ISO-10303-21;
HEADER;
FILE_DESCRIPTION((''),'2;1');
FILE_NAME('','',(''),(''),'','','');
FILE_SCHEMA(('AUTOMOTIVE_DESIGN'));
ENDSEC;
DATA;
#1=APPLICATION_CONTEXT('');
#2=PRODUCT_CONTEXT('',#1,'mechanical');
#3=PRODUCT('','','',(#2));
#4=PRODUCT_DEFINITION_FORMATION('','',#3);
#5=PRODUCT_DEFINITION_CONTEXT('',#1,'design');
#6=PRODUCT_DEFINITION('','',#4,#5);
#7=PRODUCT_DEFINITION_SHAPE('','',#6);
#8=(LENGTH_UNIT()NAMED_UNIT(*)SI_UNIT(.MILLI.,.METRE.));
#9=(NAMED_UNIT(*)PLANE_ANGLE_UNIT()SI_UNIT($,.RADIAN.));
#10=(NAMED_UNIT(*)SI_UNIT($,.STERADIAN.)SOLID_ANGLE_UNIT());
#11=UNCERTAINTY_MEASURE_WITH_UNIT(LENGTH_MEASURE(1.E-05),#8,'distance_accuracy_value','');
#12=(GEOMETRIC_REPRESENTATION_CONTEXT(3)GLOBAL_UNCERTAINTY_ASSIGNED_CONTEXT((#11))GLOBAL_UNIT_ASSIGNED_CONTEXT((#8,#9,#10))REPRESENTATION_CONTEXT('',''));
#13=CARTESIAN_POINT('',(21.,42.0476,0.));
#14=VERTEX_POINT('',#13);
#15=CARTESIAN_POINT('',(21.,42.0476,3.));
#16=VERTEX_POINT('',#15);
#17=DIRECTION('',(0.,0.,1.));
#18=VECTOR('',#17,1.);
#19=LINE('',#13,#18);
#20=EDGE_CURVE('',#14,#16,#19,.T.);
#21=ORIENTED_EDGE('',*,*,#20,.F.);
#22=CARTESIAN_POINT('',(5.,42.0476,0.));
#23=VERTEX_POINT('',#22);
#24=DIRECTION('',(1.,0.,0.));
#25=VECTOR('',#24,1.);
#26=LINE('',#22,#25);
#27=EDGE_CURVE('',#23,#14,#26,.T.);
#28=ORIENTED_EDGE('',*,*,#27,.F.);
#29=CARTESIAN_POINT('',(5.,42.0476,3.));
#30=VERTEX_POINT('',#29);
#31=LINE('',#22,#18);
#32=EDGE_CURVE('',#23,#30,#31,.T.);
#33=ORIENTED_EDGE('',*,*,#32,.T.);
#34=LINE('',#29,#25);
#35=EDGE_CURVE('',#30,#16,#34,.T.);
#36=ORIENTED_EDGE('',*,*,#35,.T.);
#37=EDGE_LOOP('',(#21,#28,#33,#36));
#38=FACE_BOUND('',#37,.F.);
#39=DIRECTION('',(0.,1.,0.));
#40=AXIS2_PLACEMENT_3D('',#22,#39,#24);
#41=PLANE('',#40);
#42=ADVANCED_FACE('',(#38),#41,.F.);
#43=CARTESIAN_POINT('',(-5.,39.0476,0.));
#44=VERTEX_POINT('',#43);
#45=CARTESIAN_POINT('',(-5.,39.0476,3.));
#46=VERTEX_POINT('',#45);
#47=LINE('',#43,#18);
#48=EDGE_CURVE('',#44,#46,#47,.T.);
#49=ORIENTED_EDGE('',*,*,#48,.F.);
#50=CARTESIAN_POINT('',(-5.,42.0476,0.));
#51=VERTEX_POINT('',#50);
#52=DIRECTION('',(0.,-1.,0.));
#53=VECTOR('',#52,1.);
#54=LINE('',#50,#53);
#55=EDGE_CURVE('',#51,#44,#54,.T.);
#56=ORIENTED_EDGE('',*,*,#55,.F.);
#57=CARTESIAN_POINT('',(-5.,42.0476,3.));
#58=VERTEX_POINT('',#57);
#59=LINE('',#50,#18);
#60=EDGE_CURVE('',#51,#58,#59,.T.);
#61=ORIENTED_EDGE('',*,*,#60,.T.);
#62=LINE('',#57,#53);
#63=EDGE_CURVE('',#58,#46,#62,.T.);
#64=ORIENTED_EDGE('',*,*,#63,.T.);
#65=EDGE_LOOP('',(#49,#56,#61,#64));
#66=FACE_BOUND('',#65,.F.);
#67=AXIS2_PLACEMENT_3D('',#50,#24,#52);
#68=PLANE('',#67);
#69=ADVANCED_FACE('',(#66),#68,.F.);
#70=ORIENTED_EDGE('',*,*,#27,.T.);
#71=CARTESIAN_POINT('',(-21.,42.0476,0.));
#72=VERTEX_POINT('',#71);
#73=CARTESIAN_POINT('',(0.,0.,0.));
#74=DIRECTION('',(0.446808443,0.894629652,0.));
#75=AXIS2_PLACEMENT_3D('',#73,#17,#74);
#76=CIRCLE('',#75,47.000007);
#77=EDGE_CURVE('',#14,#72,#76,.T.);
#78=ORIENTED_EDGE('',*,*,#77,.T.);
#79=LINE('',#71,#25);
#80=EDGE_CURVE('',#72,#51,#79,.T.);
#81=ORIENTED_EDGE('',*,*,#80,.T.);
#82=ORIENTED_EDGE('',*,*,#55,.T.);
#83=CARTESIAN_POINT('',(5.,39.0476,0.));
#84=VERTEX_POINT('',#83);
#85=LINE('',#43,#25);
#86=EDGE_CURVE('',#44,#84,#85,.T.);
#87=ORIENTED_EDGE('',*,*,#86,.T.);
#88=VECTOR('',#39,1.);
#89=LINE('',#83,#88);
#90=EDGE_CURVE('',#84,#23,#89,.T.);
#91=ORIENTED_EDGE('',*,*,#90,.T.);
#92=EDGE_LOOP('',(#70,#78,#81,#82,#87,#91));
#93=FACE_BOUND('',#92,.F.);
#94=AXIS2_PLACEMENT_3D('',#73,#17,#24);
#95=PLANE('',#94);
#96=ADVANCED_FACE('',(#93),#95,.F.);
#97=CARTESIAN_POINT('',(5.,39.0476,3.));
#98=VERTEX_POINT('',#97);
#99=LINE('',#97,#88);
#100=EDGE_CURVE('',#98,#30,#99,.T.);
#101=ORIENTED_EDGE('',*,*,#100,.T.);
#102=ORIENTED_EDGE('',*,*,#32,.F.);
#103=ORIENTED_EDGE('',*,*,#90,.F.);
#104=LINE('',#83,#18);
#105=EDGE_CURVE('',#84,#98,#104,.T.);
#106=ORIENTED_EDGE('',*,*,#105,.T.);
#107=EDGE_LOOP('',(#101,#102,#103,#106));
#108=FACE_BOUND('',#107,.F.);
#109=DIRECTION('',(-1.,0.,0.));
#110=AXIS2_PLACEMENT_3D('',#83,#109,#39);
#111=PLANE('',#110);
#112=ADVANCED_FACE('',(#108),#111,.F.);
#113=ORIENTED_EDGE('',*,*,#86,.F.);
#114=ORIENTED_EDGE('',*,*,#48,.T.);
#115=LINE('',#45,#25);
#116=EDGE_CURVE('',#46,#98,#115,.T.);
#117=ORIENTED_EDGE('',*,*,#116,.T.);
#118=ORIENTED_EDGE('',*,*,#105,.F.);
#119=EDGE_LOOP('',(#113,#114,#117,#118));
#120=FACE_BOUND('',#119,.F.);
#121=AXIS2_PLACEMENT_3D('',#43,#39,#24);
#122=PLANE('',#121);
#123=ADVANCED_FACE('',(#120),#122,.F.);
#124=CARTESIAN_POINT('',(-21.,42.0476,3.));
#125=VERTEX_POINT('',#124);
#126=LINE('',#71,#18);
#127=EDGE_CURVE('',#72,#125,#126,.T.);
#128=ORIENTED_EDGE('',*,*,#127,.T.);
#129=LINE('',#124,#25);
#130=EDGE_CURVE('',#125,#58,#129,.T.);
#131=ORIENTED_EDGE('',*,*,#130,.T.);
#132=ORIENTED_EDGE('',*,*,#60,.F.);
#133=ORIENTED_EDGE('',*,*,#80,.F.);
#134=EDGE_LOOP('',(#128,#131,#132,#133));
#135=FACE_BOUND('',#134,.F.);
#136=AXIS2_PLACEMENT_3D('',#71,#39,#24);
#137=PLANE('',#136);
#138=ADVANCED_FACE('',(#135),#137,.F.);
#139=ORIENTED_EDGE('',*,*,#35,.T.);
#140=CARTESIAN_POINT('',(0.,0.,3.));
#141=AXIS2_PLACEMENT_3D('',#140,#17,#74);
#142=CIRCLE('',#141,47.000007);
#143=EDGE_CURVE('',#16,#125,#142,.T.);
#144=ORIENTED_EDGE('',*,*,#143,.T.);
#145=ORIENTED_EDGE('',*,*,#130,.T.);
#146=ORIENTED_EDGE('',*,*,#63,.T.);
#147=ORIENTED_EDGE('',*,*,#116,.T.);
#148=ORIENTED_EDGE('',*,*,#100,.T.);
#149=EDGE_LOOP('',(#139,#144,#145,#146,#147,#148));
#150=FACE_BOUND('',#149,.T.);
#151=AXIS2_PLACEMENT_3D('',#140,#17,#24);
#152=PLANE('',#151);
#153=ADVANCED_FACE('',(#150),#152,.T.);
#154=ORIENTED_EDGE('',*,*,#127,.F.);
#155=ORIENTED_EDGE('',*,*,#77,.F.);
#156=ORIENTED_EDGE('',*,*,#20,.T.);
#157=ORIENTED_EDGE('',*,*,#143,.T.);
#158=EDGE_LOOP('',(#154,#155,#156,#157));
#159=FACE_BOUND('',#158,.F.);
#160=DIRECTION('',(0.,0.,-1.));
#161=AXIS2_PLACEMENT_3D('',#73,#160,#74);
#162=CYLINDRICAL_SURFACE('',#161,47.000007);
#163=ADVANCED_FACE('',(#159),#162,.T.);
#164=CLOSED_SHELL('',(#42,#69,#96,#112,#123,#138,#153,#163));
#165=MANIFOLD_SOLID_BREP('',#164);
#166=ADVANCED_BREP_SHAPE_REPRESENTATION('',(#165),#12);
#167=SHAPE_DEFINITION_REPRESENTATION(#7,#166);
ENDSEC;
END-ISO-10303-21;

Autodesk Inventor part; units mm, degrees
ref_plane "YZ Plane" through (0, 0, 0) normal (1, 0, 0) x (0, 1, 0)
ref_plane "XZ Plane" through (0, 0, 0) normal (0, 1, 0) x (-1, 0, 0)
ref_plane "XY Plane" through (0, 0, 0) normal (0, 0, 1) x (1, 0, 0)
sketch "Sketch1" plane through (0, 0, 0) normal (0, 0, 1) x (1, 0, 0)
  arc A0 (21, 42.0476) -> (-21, 42.0476) centre (0, 0) ccw
  line L0 (-5, 42.0476) -> (-5, 39.0476)
  line L1 (-5, 39.0476) -> (5, 39.0476)
  line L2 (5, 39.0476) -> (5, 42.0476)
  line L3 (-21, 42.0476) -> (-5, 42.0476)
  line L4 (5, 42.0476) -> (21, 42.0476)
  dimension "d0" = 94
  dimension "d2" = 3
  dimension "d3" = 10
  dimension "d4" = 5
  dimension "d8" = 16
  dimension "d9" = 16
extrude "Extrusion1" add sketch "Sketch1" along normal blind 3
properties part number "OpenROV_Dev_EChassis_Blinder"
